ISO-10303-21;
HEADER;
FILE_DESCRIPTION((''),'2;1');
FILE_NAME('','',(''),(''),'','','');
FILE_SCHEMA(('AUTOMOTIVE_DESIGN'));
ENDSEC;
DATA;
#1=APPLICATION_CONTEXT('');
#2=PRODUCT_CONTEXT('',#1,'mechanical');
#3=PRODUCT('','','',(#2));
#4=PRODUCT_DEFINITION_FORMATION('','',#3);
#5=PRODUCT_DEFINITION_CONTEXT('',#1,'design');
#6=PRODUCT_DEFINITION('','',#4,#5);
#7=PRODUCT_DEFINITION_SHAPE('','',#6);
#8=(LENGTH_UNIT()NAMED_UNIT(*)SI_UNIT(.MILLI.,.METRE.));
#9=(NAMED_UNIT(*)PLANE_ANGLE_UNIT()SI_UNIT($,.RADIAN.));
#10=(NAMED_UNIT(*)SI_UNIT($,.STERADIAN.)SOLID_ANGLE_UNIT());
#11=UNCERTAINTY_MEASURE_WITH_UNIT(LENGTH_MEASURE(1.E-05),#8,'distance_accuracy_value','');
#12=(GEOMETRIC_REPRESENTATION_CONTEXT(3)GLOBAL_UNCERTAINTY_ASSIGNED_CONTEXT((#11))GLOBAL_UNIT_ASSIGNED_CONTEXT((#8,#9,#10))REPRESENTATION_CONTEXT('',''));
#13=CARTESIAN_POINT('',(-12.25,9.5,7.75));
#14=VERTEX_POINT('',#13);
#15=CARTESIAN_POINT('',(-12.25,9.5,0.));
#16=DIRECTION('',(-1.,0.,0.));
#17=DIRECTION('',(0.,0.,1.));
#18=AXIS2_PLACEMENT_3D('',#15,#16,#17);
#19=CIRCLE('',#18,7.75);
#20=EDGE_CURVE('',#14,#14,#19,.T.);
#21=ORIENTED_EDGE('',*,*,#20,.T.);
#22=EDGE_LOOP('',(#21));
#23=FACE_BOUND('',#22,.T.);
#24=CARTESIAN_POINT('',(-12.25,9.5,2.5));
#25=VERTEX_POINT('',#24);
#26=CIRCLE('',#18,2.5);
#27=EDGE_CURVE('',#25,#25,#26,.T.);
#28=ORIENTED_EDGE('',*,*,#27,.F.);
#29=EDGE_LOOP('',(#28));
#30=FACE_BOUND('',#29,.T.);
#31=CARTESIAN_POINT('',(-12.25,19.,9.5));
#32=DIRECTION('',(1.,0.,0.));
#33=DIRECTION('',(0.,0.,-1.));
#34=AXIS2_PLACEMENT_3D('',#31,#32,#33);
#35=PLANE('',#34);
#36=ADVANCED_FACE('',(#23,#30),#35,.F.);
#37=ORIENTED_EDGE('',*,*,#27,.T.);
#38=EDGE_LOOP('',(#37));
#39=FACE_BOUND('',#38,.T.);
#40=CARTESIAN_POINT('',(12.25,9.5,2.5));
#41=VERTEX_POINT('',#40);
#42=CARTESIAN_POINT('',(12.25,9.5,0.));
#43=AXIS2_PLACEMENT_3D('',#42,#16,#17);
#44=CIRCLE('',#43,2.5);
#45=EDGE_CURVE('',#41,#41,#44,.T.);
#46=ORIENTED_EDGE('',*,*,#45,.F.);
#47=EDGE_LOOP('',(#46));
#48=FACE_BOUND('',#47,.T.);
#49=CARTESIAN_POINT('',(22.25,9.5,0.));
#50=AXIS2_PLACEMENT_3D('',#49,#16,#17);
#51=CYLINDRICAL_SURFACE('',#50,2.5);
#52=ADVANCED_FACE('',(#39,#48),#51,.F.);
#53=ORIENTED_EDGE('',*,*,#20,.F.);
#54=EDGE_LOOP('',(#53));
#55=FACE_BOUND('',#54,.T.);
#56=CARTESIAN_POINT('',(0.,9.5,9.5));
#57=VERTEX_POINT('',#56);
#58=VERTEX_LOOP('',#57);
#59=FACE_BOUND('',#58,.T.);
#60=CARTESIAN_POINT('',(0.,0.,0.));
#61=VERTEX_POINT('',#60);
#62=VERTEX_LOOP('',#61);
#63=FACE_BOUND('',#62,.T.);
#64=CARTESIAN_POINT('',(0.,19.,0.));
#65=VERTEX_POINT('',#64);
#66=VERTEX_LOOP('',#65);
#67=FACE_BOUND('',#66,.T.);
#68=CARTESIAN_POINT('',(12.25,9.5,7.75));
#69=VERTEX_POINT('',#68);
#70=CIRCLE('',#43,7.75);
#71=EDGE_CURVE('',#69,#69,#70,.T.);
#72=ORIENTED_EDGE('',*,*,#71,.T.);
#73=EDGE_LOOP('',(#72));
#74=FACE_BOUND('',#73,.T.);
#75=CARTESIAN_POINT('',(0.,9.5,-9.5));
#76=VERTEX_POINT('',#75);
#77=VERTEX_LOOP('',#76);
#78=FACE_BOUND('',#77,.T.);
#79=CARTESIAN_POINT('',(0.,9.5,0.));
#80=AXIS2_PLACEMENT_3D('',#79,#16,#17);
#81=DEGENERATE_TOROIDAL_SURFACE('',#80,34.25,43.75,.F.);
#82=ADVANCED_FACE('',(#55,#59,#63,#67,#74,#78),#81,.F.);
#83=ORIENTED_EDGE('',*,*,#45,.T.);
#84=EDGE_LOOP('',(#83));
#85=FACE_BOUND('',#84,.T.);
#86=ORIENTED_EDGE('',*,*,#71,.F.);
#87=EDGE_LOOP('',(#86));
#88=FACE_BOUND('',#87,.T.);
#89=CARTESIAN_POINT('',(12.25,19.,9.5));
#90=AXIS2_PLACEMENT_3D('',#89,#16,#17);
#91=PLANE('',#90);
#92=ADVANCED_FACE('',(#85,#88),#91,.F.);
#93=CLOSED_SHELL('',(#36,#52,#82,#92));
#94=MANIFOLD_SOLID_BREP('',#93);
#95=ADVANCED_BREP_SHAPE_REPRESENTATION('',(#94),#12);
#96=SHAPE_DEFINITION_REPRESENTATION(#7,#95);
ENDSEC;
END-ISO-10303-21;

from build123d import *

# Parameters (mm, degrees)
CROQUIS1_W              = 24.5
CROQUIS1_H              = 19
SALIENTE_EXTRUIR1_DEPTH = 19
CROQUIS4_R              = 2.5
CORTAR_EXTRUIR1_DEPTH   = 34.5


with BuildPart() as part:
    # Croquis1 → Saliente-Extruir1 (new body)
    with BuildSketch(Plane(origin=(0, 0, 0), x_dir=(1, 0, 0), z_dir=(0, 1, 0))):
        Rectangle(CROQUIS1_W, CROQUIS1_H)
    extrude(amount=SALIENTE_EXTRUIR1_DEPTH)

    # Croquis2 → Cortar-Revolución2 (revolve, cut)
    with BuildSketch(Plane(origin=(0, 9.5, 0), x_dir=(1, 0, 0), z_dir=(0, 1, 0)), mode=Mode.PRIVATE) as cortar_revoluci_n2_sk:
        with BuildLine():
            Line((-12.25, 7.75), (-12.25, 18.221479362))
            Line((-12.25, 18.221479362), (12.25, 18.221479362))
            Line((12.25, 18.221479362), (12.25, 7.75))
            ThreePointArc((12.25, 7.75), (0, 9.5), (-12.25, 7.75))
        make_face()
    revolve(cortar_revoluci_n2_sk.sketch.rotate(Axis((-13.475, 9.5, 0), (1, 0, 0)), 180), axis=Axis((-13.475, 9.5, 0), (1, 0, 0)), mode=Mode.SUBTRACT)

    # Croquis4 → Cortar-Extruir1 (cut)
    with BuildSketch(Plane.ZY.offset(12.25)):
        with Locations((0, 9.5)):
            Circle(CROQUIS4_R)
    extrude(amount=-CORTAR_EXTRUIR1_DEPTH, mode=Mode.SUBTRACT)


solid = part.part
